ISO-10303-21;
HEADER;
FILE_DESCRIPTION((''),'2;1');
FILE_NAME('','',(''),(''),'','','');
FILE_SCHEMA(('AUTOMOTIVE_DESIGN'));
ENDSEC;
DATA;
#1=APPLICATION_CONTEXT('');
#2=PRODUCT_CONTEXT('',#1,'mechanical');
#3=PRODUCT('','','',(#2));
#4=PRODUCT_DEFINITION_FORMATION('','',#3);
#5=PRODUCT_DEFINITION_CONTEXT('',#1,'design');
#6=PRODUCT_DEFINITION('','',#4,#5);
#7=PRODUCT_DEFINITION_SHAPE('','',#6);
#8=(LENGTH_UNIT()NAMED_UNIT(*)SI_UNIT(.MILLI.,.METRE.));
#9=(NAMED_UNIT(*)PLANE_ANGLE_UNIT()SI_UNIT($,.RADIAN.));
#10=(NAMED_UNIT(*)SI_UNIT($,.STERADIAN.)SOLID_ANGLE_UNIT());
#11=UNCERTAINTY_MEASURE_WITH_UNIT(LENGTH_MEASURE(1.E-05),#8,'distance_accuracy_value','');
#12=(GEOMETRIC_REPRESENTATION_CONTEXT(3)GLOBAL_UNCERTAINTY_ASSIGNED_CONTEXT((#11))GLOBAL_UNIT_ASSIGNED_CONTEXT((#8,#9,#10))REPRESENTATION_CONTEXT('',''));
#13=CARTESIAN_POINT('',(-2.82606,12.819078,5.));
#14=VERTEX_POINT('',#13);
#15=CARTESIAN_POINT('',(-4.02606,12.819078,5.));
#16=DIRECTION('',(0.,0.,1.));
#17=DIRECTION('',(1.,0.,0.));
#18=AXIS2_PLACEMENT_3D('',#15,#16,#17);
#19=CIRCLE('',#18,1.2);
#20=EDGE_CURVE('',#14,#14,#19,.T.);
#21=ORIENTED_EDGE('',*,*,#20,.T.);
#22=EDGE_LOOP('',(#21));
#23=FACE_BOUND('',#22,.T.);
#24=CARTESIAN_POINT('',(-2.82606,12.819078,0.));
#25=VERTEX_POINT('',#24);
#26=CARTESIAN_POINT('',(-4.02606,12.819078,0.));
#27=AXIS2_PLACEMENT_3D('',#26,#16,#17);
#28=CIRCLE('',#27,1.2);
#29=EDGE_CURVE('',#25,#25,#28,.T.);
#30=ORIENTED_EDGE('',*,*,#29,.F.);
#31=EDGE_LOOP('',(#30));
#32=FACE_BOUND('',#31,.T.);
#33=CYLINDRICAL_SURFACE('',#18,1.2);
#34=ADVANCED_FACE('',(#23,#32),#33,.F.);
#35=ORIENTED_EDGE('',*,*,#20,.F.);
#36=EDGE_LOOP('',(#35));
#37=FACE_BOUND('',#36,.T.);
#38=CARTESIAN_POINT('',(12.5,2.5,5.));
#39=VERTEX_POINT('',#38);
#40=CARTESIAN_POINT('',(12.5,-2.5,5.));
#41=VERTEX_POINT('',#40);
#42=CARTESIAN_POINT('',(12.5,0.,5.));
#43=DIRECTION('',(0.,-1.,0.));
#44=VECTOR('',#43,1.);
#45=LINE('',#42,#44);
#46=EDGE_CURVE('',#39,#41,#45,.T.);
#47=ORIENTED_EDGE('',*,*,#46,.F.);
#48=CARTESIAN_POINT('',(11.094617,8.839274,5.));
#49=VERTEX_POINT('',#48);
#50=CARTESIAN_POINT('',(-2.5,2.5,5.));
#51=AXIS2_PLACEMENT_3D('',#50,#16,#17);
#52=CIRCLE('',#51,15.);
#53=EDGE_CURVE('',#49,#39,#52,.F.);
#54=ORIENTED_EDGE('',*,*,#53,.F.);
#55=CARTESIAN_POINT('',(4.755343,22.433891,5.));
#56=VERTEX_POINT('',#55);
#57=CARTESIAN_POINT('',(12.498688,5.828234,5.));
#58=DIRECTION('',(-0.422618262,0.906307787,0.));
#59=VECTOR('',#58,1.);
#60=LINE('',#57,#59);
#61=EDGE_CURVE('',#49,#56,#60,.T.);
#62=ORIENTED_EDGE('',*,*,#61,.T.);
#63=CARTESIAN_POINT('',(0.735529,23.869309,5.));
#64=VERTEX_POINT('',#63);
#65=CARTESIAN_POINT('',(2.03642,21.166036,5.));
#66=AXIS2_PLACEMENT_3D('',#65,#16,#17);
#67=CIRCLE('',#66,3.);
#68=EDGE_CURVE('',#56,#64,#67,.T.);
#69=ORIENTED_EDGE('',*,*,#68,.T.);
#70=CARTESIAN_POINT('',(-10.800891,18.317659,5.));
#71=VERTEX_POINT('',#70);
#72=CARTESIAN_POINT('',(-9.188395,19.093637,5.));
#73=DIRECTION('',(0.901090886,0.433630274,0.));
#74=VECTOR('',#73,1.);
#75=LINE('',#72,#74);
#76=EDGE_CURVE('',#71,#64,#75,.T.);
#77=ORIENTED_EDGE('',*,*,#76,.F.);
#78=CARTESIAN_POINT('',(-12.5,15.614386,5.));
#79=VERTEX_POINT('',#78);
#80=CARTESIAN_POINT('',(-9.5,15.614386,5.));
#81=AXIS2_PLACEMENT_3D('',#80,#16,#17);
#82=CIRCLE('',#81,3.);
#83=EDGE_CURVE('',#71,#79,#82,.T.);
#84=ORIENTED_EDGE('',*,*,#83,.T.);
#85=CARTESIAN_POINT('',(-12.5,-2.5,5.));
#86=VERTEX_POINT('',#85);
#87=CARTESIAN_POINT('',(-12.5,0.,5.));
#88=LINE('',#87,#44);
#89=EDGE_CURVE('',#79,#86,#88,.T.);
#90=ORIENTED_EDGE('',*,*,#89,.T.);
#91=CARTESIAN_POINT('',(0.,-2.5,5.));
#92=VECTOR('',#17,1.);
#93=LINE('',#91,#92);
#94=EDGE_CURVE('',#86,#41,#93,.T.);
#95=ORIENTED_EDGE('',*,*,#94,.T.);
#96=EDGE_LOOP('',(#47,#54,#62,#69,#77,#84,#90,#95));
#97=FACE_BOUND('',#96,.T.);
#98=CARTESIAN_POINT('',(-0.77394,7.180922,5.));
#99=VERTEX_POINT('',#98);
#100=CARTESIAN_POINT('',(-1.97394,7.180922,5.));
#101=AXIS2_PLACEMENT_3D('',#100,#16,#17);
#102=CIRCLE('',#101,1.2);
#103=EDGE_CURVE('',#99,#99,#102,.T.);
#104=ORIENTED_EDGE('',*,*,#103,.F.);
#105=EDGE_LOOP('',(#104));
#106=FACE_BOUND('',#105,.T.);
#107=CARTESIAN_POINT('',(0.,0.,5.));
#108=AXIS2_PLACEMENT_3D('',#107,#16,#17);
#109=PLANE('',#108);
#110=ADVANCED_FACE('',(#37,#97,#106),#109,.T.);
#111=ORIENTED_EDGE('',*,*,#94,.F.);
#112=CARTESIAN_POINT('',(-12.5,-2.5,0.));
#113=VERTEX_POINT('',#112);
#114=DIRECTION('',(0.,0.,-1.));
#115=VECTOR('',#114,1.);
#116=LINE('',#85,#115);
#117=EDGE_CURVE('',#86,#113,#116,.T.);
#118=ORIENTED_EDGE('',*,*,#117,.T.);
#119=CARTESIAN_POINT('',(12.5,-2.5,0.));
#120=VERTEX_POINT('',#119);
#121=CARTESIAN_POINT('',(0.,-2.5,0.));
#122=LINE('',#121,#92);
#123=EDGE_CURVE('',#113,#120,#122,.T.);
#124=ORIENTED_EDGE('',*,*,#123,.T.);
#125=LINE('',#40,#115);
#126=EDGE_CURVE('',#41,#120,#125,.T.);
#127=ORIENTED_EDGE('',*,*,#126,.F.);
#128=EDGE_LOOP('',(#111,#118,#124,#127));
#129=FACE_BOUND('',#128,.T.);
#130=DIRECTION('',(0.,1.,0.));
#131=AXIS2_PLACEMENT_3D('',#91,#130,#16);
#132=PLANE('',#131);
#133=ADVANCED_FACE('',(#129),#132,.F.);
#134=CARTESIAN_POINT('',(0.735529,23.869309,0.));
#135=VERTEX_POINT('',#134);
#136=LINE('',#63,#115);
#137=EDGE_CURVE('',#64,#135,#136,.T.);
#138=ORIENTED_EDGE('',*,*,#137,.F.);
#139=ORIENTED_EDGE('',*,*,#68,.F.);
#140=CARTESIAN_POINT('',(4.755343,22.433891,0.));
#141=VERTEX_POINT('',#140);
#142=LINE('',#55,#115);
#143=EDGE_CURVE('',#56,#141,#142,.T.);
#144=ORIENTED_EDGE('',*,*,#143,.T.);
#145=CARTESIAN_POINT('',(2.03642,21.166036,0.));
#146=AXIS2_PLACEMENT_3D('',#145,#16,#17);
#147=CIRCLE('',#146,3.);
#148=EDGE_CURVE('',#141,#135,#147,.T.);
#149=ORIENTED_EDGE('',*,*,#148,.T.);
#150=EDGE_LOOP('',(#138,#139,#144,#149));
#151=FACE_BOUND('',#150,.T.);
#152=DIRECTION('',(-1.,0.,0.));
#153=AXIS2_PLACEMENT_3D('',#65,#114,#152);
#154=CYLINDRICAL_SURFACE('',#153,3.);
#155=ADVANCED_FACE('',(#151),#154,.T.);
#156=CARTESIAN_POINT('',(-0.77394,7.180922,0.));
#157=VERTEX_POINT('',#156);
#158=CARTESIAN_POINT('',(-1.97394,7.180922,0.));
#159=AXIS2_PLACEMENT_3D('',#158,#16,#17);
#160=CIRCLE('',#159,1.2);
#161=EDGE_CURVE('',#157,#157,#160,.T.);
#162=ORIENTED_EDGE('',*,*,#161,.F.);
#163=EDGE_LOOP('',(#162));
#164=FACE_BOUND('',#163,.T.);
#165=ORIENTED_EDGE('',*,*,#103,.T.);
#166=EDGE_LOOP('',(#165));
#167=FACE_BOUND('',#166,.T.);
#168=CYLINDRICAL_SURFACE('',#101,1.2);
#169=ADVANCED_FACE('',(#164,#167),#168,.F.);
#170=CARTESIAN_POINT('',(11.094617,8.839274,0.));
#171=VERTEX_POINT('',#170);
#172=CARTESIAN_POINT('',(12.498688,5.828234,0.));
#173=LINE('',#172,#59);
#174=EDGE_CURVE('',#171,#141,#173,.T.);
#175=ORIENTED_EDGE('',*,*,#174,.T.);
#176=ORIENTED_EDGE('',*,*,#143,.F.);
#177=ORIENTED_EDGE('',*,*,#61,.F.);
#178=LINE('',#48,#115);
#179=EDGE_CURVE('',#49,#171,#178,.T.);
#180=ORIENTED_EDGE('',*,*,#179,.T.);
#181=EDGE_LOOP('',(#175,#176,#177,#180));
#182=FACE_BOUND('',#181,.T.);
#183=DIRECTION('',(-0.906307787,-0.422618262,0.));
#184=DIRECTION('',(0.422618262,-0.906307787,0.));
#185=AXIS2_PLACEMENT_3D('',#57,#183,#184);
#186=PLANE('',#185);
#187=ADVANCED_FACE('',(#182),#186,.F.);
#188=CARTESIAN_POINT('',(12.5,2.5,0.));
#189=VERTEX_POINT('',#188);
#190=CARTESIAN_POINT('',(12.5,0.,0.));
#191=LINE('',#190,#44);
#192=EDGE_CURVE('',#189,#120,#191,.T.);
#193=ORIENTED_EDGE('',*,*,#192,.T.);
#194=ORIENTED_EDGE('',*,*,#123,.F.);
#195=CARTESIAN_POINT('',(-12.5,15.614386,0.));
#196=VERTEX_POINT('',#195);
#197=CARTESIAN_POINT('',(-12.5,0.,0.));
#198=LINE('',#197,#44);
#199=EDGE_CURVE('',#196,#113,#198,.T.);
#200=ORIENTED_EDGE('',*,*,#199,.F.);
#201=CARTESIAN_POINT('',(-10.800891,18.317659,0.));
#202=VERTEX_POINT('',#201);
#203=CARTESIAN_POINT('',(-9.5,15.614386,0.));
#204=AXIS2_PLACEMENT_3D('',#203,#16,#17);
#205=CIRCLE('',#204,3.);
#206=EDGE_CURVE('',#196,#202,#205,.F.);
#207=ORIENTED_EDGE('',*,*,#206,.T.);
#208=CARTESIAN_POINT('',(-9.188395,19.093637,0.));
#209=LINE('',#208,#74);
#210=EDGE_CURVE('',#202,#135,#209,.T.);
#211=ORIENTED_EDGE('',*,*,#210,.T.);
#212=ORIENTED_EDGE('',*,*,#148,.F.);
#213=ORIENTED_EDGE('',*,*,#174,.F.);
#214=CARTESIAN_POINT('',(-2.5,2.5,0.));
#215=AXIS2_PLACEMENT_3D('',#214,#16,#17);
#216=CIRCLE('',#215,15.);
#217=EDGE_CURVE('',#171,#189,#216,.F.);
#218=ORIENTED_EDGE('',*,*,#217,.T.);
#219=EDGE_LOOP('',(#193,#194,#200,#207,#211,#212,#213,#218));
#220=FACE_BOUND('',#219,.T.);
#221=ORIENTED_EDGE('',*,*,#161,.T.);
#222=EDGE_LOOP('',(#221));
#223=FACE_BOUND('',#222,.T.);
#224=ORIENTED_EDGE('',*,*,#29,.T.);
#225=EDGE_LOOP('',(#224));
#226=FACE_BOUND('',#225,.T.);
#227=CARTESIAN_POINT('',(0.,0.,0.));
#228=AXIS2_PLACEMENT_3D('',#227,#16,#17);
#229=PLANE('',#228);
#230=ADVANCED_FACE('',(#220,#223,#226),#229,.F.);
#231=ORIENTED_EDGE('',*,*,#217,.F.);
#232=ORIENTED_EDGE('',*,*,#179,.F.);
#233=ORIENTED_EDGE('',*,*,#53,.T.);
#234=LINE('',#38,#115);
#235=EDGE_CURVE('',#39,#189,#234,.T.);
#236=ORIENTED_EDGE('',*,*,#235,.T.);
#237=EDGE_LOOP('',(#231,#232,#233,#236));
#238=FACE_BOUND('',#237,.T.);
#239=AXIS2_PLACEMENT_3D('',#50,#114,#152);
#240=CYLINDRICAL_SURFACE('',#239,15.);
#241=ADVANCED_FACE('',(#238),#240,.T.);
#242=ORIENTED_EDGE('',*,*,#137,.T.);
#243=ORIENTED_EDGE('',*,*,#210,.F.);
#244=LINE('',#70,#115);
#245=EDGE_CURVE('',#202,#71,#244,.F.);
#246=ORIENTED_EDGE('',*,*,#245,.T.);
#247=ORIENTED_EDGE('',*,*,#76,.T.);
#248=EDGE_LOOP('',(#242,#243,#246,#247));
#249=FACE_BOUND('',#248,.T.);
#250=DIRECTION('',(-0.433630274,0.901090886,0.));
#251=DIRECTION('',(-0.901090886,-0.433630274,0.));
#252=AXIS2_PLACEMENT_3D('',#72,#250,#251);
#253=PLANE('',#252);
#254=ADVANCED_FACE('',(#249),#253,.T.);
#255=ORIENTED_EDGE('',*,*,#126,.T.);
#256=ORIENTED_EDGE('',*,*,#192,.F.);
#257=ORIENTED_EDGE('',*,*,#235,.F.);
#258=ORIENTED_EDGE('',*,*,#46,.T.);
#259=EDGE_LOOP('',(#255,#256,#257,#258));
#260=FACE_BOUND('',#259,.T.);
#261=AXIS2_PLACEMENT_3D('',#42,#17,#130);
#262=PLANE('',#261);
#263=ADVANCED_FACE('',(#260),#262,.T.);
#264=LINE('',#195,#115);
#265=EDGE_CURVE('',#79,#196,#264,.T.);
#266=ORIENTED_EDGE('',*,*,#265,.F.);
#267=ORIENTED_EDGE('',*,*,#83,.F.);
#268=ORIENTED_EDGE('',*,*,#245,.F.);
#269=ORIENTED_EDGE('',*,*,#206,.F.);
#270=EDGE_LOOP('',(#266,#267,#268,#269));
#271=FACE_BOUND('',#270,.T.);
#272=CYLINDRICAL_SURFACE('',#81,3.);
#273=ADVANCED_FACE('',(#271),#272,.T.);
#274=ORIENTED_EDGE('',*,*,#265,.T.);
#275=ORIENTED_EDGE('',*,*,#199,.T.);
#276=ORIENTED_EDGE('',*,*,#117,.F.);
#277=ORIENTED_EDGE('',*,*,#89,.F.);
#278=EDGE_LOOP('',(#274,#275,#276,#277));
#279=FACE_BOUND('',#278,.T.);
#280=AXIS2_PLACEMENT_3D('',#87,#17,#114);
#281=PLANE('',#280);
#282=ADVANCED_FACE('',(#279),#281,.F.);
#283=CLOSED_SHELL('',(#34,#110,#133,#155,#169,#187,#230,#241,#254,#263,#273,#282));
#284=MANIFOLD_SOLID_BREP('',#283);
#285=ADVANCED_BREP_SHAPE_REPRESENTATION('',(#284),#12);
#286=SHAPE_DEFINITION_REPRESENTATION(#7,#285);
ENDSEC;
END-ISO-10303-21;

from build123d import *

# Parameters (mm, degrees)
BOSS_EXTRUDE1_DEPTH  = 5
M2_CLEARANCE_HOLE1_D = 2.4
FILLET1_R            = 3


with BuildPart() as part:
    # Sketch1 → Boss-Extrude1 (new body)
    with BuildSketch(Plane.XY):
        with BuildLine():
            Line((-12.5, 17.5), (-12.5, -2.5))
            Line((-12.5, -2.5), (12.5, -2.5))
            Line((12.5, -2.5), (12.5, 2.5))
            ThreePointArc((12.5, 2.5), (12.144440107, 5.746594209), (11.094616806, 8.839273926))
            Line((11.094616806, 8.839273926), (4.755342879, 22.433890732))
            ThreePointArc((4.755342879, 22.433890732), (3.045285311, 23.991312891), (0.735528696, 23.869308605))
            Line((0.735528696, 23.869308605), (-12.5, 17.5))
        make_face()
    extrude(amount=BOSS_EXTRUDE1_DEPTH)

    # M2 Clearance Hole1 (through all)
    with Locations(Plane.XY.offset(5)):
        with Locations((-4.02606043, 12.819077862), (-1.97393957, 7.180922138)):
            Hole(M2_CLEARANCE_HOLE1_D / 2)

    # Fillet1
    fillet1_edges = [part.edges().sort_by_distance(p)[0] for p in [
        (-12.5, 17.5, 2.5),
    ]]
    fillet(fillet1_edges, radius=FILLET1_R)


solid = part.part
